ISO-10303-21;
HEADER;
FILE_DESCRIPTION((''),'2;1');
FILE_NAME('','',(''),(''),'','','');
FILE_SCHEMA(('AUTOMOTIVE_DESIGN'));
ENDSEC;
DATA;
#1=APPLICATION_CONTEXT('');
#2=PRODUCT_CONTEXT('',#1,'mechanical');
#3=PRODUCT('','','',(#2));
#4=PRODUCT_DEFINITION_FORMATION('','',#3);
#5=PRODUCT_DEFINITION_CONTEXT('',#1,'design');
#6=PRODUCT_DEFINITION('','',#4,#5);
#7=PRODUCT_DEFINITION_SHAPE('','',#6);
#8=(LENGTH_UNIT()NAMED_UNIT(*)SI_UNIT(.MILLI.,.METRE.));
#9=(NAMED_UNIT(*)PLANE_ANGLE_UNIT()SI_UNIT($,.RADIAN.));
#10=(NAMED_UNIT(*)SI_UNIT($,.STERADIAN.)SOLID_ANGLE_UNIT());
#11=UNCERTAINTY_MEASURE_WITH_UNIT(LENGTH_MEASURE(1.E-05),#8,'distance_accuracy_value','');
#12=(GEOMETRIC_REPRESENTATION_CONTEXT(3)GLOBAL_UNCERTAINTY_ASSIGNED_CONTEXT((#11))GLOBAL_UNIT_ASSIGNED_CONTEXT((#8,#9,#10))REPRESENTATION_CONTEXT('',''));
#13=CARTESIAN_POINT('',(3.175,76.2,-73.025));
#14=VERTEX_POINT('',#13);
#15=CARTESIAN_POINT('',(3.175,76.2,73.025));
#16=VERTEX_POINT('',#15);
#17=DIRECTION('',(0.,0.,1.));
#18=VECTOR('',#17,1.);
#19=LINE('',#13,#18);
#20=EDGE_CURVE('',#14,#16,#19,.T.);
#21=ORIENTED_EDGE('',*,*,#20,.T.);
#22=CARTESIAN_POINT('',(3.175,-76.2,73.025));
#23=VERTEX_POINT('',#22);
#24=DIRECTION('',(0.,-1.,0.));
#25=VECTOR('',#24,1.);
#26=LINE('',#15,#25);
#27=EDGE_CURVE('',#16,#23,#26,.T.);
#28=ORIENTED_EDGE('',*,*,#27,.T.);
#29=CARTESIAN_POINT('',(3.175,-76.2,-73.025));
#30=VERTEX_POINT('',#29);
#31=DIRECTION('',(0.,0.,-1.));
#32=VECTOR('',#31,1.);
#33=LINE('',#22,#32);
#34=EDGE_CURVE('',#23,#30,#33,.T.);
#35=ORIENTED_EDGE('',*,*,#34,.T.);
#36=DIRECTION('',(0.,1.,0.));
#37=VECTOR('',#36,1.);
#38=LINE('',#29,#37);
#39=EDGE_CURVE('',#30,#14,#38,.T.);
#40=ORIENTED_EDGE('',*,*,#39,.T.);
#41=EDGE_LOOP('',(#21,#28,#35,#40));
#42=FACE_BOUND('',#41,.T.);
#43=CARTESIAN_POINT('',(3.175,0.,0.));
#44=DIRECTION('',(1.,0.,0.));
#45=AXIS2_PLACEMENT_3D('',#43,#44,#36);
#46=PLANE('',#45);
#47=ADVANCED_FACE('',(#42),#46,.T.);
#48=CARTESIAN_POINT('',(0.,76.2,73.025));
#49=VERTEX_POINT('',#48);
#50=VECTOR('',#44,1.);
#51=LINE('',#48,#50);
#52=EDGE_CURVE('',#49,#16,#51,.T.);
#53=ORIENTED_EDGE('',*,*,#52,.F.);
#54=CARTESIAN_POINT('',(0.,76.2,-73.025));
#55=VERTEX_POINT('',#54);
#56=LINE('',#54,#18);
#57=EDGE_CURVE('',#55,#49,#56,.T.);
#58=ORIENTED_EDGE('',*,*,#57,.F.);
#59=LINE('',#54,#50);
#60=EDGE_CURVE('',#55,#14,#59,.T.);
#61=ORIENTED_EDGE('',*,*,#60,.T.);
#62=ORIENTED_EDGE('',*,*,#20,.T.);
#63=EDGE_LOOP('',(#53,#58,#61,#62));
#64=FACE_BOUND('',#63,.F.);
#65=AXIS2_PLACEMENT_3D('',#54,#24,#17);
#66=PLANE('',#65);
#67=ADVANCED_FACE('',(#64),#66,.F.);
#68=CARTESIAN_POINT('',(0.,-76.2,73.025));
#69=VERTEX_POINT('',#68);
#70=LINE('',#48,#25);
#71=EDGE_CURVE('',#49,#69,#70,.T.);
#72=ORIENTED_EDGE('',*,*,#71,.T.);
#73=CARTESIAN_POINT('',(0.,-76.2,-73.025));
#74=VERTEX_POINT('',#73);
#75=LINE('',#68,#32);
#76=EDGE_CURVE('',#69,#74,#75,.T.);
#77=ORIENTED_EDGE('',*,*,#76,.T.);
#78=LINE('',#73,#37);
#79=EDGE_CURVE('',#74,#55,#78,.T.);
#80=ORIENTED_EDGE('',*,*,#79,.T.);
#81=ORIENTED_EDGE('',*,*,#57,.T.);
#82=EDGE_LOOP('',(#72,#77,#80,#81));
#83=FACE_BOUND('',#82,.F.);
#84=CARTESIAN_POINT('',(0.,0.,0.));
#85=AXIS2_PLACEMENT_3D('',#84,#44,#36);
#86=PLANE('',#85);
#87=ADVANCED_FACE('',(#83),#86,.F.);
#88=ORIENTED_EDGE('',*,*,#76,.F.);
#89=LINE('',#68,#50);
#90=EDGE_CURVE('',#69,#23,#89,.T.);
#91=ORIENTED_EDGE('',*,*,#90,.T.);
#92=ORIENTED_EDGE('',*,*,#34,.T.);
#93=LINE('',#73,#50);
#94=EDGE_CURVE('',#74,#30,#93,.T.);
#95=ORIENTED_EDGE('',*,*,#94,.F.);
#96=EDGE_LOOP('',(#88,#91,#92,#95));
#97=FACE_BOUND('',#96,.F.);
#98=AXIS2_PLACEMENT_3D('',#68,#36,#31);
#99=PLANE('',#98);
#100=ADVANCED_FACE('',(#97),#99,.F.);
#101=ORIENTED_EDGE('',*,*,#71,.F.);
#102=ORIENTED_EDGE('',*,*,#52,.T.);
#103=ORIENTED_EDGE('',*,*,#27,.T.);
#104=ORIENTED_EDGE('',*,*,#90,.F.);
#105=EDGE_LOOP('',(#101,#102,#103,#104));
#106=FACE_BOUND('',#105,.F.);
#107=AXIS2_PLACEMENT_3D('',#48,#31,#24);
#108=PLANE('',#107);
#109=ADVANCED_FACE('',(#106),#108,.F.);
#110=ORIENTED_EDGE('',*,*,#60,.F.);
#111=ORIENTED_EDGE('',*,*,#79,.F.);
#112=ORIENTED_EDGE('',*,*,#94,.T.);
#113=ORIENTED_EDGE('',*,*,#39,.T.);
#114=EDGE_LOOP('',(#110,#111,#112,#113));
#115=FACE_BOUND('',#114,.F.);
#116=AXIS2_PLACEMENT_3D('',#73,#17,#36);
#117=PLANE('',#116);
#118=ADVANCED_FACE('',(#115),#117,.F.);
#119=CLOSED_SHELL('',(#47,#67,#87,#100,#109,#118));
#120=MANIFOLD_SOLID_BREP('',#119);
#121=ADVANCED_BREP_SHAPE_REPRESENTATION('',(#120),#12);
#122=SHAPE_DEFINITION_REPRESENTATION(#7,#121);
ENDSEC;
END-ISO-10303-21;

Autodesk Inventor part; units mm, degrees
ref_plane "YZ Plane" through (0, 0, 0) normal (1, 0, 0) x (0, 1, 0)
ref_plane "XZ Plane" through (0, 0, 0) normal (0, 1, 0) x (-1, 0, 0)
ref_plane "XY Plane" through (0, 0, 0) normal (0, 0, 1) x (1, 0, 0)
sketch "Sketch1" plane through (0, 0, 0) normal (1, 0, 0) x (0, 1, 0)
  line L0 (-76.2, -73.025) -> (76.2, -73.025)
  line L1 (76.2, -73.025) -> (76.2, 73.025)
  line L2 (76.2, 73.025) -> (-76.2, 73.025)
  line L3 (-76.2, 73.025) -> (-76.2, -73.025)
  line L4 (-76.2, -73.025) -> (76.2, 73.025) construction
  line L5 (76.2, -73.025) -> (-76.2, 73.025) construction
  point P0 (0, 0)
  dimension "d0" = 152.4
  dimension "d1" = 146.05
extrude "Extrusion1" add sketch "Sketch1" along normal blind 3.175
properties part number "Bottom Plate" material "UHMW, White"
